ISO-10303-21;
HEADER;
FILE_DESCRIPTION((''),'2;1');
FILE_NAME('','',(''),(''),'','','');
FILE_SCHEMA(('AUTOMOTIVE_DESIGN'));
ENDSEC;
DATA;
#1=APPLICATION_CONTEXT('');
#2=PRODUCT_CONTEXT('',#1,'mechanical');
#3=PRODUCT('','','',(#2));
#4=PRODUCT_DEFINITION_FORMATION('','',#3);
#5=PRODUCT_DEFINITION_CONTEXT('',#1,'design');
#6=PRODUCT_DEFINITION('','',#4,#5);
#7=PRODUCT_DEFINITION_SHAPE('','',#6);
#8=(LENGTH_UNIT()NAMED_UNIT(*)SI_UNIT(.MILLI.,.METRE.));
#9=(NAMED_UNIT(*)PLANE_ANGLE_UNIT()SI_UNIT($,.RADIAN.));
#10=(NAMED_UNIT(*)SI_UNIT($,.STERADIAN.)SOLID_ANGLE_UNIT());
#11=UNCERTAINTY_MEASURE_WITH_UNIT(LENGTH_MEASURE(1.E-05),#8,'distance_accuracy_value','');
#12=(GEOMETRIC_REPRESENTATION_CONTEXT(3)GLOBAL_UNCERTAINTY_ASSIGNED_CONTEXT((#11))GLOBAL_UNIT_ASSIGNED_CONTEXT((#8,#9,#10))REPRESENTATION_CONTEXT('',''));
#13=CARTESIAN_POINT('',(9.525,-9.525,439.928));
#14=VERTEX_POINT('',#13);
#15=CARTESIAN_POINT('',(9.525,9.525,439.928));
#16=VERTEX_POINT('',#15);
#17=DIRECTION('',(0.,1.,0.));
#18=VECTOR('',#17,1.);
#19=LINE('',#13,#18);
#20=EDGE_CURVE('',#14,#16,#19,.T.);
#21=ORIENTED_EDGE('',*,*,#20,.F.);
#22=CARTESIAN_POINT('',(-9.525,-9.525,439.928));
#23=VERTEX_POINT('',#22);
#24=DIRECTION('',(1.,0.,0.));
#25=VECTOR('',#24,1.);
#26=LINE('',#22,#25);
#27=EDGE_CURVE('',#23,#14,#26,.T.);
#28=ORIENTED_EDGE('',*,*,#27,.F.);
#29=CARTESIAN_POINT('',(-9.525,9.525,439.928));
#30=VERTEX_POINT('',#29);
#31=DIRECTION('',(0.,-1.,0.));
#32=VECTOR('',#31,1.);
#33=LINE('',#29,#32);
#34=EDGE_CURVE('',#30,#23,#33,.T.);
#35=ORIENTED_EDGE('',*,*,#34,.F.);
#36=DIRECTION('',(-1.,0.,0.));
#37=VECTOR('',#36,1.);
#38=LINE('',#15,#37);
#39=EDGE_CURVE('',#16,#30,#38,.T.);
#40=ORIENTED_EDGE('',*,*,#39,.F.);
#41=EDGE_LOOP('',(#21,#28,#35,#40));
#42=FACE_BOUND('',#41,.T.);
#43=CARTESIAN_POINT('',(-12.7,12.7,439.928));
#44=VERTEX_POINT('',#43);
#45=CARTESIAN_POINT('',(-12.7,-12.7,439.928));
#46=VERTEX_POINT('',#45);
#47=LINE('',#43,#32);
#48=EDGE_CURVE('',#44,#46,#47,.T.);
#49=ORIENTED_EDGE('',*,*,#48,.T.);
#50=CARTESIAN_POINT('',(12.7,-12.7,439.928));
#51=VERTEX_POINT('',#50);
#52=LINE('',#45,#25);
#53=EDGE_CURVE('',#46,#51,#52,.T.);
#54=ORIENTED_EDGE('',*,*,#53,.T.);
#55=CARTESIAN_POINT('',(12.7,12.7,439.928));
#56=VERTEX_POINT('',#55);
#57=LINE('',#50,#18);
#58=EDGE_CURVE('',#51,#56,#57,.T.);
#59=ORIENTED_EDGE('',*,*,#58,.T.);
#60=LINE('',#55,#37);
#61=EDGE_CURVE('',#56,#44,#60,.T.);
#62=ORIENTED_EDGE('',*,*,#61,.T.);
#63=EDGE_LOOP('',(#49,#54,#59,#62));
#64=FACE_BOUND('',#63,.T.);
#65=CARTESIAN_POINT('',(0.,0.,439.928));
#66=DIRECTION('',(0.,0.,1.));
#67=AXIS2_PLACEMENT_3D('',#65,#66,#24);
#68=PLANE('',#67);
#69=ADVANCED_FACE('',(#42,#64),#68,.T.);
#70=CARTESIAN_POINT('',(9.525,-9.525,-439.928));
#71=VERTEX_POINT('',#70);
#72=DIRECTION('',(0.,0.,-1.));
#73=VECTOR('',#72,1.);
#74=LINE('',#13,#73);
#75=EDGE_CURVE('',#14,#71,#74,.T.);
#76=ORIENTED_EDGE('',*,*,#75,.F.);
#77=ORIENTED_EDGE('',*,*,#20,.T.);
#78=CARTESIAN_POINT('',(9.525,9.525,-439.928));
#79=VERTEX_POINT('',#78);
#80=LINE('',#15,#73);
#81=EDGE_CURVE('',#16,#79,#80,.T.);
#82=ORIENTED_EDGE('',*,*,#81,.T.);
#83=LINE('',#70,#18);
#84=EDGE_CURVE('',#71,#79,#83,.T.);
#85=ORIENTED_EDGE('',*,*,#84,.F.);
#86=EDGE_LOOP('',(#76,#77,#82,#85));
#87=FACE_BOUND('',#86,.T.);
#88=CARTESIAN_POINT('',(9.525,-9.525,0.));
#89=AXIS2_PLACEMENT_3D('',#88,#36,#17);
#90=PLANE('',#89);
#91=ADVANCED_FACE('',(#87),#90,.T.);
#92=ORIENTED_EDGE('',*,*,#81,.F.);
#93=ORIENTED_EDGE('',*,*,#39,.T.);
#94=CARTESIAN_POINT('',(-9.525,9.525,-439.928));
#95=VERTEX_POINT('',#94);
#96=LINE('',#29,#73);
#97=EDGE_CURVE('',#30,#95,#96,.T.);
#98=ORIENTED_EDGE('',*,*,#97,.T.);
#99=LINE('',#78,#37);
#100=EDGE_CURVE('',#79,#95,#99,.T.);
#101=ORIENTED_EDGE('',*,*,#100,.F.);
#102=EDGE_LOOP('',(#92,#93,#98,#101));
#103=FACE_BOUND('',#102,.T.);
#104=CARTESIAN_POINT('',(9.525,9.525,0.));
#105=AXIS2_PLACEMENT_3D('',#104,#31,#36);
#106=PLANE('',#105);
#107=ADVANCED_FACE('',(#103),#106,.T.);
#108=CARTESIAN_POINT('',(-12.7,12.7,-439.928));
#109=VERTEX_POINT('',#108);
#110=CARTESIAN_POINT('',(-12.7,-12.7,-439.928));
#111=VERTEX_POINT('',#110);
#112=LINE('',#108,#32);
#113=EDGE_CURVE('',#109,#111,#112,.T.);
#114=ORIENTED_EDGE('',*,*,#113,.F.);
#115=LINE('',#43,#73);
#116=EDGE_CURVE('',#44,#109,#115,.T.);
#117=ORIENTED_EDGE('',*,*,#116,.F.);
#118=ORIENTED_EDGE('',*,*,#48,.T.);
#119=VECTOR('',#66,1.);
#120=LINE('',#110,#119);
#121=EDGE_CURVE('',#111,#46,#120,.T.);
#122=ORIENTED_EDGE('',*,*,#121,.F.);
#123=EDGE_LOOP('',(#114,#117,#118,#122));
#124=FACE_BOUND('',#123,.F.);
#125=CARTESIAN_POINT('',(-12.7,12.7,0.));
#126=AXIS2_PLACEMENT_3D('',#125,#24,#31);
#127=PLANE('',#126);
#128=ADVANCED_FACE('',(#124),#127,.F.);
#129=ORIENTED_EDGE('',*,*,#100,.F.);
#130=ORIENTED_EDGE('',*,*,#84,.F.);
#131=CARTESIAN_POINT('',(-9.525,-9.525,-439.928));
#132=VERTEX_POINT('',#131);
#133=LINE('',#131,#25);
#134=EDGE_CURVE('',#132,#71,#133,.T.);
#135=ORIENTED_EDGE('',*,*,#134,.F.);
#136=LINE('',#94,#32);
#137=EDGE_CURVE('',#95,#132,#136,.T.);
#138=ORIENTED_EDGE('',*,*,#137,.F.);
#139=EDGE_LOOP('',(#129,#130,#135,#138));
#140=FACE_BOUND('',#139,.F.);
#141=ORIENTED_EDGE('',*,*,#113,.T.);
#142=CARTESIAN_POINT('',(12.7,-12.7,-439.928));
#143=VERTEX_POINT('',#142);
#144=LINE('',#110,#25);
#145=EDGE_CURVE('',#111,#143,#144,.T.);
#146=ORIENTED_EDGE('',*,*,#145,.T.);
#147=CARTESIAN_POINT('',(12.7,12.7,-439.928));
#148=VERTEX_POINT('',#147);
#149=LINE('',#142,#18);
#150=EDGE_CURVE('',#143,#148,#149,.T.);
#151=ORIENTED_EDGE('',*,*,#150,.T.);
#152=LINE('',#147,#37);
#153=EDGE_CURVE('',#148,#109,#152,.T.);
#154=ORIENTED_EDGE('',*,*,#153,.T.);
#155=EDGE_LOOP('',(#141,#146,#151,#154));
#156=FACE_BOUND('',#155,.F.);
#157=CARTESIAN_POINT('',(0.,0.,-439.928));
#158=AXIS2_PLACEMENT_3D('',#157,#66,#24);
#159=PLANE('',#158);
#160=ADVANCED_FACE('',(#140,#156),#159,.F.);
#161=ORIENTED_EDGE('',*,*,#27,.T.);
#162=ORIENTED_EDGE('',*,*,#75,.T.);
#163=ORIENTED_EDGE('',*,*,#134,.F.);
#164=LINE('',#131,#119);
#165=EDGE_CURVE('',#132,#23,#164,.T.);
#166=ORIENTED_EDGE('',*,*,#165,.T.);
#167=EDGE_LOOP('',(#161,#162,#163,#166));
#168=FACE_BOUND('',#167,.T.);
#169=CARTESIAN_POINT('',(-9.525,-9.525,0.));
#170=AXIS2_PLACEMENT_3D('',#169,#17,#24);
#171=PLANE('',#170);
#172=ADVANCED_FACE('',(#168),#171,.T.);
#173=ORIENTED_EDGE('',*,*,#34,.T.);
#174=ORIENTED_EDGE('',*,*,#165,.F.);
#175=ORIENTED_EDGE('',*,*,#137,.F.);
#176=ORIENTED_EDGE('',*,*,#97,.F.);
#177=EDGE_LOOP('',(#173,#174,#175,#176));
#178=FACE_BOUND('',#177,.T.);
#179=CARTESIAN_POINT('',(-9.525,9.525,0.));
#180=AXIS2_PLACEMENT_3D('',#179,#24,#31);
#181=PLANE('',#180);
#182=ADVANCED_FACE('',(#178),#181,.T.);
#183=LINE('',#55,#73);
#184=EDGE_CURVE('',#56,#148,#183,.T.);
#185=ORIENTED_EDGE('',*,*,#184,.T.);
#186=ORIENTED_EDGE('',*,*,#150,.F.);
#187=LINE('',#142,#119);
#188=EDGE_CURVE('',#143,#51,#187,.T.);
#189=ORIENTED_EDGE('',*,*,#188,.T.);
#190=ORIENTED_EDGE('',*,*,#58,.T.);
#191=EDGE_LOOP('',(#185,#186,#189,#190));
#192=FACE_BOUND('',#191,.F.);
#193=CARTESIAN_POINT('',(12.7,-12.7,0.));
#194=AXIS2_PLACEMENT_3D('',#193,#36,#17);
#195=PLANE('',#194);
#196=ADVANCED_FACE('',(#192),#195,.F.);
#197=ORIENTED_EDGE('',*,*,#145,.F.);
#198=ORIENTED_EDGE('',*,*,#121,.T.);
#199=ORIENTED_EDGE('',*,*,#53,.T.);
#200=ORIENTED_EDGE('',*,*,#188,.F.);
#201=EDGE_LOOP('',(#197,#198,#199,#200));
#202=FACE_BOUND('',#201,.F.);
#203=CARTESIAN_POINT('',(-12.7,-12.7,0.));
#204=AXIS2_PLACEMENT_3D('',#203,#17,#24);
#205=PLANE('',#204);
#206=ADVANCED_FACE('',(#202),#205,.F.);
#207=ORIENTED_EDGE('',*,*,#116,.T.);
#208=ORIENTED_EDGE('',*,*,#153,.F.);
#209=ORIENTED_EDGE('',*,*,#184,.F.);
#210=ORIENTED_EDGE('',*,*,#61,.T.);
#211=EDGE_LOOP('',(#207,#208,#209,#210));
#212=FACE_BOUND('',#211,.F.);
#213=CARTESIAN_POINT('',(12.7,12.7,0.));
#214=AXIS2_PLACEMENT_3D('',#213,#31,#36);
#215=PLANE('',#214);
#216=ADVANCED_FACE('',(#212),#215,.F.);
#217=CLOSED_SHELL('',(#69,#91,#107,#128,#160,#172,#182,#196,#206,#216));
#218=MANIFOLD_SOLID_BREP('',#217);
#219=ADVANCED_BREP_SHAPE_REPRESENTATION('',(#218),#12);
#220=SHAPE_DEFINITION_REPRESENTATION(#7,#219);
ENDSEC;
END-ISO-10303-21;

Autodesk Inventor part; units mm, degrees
ref_plane "YZ Plane" through (0, 0, 0) normal (1, 0, 0) x (0, 1, 0)
ref_plane "XZ Plane" through (0, 0, 0) normal (0, 1, 0) x (-1, 0, 0)
ref_plane "XY Plane" through (0, 0, 0) normal (0, 0, 1) x (1, 0, 0)
sketch "Sketch2" plane through (0, 0, 0) normal (0, 0, 1) x (1, 0, 0)
  line L0 (-12.7, -12.7) -> (12.7, -12.7)
  line L1 (12.7, -12.7) -> (12.7, 12.7)
  line L2 (12.7, 12.7) -> (-12.7, 12.7)
  line L3 (-12.7, 12.7) -> (-12.7, -12.7)
  line L4 (-12.7, -12.7) -> (12.7, 12.7) construction
  line L5 (12.7, -12.7) -> (-12.7, 12.7) construction
  line L6 (-9.525, -9.525) -> (9.525, -9.525)
  line L7 (9.525, -9.525) -> (9.525, 9.525)
  line L8 (9.525, 9.525) -> (-9.525, 9.525)
  line L9 (-9.525, 9.525) -> (-9.525, -9.525)
  line L10 (-9.525, -9.525) -> (9.525, 9.525) construction
  line L11 (9.525, -9.525) -> (-9.525, 9.525) construction
  point P0 (0, 0)
  dimension "d0" = 25.4
  dimension "d1" = 25.4
  dimension "d2" = 3.175
  dimension "d3" = 3.175
extrude "Extrusion1" add sketch "Sketch2" along normal mid plane 879.856
properties part number "aluminumExtrusion" material "Aluminum 6061-AHC"
